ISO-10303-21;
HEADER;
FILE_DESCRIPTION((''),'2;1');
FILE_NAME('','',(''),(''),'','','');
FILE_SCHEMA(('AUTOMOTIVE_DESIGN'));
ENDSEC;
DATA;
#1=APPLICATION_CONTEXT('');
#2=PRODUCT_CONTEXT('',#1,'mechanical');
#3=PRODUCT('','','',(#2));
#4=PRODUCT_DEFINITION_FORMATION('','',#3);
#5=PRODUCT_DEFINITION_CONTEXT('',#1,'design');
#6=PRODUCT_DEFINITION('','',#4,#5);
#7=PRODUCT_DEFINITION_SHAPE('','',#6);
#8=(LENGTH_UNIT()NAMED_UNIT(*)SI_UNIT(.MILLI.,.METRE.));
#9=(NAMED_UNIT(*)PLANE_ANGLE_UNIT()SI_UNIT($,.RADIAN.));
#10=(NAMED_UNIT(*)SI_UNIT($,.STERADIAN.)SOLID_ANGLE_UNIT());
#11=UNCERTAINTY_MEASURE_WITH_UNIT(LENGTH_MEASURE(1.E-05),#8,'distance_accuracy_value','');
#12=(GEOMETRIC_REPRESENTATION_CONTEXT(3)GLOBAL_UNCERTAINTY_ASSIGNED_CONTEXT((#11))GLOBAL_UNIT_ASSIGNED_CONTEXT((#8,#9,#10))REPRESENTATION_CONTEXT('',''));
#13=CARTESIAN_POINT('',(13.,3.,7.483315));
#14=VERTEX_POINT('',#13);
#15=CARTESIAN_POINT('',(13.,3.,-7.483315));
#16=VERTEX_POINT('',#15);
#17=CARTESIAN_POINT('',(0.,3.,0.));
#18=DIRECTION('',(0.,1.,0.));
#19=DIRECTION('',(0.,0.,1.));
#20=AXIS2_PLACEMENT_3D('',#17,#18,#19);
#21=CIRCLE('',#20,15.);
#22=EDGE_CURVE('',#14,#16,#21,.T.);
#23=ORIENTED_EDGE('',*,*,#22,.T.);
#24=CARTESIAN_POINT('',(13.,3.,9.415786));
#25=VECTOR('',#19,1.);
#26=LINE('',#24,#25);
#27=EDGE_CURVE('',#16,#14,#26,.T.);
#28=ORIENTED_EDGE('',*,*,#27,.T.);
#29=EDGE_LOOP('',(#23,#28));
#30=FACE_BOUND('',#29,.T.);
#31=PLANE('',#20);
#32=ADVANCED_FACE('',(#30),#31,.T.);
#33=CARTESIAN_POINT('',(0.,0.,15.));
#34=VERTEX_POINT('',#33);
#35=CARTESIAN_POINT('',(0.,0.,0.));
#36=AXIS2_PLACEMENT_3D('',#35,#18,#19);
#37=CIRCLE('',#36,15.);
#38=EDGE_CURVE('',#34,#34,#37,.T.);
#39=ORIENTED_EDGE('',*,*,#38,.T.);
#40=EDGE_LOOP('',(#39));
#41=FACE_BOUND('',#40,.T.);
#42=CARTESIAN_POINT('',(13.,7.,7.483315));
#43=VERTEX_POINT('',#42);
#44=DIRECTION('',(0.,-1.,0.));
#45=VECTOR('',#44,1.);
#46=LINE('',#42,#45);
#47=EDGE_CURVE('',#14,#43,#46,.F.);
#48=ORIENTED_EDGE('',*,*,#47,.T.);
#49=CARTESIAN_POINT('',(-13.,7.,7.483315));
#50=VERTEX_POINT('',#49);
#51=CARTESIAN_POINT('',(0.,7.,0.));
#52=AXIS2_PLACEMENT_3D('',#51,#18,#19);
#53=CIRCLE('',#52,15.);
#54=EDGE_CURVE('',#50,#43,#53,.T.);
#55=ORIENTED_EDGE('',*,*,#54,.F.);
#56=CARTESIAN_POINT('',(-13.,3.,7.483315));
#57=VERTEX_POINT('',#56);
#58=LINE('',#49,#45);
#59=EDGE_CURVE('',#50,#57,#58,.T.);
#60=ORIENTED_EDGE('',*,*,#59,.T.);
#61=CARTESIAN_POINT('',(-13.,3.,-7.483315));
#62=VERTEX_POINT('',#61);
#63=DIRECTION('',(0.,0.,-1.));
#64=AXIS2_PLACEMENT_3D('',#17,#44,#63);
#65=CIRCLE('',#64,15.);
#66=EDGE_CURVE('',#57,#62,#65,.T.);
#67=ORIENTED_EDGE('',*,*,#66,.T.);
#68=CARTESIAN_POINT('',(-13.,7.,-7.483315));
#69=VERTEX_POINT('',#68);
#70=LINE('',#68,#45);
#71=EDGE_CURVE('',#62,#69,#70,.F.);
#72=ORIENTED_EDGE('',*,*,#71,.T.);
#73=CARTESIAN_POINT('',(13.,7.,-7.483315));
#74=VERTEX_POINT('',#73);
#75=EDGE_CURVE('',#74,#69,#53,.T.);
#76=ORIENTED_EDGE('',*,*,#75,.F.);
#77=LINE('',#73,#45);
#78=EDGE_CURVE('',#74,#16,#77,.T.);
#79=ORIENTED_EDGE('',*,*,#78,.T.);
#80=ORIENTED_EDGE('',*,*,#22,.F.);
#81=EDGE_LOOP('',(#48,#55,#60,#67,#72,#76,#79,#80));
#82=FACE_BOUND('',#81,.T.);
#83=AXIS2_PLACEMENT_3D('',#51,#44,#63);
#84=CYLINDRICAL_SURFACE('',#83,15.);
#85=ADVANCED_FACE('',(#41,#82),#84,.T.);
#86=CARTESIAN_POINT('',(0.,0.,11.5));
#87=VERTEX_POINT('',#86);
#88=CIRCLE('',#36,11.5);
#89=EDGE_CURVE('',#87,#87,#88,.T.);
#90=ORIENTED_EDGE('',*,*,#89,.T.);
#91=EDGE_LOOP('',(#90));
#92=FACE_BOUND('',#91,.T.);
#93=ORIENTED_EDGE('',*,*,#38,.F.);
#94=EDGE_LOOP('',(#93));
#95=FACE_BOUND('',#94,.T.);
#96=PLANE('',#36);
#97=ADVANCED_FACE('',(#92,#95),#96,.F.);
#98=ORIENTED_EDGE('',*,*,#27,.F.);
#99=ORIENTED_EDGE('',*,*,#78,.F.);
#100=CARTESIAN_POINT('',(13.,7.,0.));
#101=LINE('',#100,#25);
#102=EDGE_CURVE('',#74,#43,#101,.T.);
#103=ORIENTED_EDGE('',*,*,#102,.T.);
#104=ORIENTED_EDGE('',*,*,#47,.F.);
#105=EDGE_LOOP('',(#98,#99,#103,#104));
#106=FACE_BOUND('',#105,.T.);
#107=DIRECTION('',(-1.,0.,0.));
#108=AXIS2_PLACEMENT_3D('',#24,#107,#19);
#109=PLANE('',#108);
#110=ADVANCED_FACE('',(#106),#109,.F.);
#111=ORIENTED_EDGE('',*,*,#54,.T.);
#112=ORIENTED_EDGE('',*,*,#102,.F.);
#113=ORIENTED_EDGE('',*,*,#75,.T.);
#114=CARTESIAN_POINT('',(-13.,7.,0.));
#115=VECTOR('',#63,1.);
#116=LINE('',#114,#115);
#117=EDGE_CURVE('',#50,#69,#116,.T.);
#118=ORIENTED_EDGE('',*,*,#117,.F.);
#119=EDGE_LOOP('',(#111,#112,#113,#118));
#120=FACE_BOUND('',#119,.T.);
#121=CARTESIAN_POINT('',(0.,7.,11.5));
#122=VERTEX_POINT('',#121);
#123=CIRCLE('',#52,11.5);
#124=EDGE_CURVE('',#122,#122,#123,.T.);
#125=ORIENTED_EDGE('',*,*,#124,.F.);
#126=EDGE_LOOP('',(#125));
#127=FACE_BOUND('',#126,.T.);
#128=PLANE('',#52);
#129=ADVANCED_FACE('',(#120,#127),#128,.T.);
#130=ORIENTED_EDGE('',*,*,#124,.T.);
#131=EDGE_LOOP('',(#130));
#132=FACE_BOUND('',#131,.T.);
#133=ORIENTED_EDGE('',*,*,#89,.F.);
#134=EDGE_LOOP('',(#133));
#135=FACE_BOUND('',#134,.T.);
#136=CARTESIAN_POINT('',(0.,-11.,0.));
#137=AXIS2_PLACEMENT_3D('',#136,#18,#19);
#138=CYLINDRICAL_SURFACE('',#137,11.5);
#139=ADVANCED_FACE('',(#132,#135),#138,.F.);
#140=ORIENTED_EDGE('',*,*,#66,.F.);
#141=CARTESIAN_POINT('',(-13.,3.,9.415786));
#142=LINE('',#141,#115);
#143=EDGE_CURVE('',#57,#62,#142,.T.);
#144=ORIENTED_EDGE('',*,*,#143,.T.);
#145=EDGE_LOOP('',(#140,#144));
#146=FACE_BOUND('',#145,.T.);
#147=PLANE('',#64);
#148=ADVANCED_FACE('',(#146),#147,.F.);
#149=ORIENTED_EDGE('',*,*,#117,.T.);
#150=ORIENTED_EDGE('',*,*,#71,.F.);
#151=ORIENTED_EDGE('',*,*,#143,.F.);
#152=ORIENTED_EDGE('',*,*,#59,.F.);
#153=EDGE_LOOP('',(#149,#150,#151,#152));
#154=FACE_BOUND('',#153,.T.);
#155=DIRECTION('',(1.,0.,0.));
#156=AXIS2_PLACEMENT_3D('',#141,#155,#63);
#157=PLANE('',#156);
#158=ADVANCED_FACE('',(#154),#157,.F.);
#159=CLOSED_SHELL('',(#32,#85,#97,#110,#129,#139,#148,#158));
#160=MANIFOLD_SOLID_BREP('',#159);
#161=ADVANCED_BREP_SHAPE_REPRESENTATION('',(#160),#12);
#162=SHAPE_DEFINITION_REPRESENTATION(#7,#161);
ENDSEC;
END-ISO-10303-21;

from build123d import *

# Parameters (mm, degrees)
SKETCH1_R         = 15
BODY_DEPTH        = 7
SKETCH2_R         = 11.5
CENTER_HOLE_DEPTH = 18
SKETCH4_W         = 4
SKETCH4_H         = 18.83157123
HEX_2_DEPTH       = 4


with BuildPart() as part:
    # Sketch1 → Body (new body)
    with BuildSketch(Plane(origin=(0, 0, 0), x_dir=(1, 0, 0), z_dir=(0, 1, 0))):
        Circle(SKETCH1_R)
    extrude(amount=BODY_DEPTH)

    # Sketch2 → Center_hole (cut)
    with BuildSketch(Plane(origin=(0, 7, 0), x_dir=(1, 0, 0), z_dir=(0, 1, 0))):
        Circle(SKETCH2_R)
    extrude(amount=-CENTER_HOLE_DEPTH, mode=Mode.SUBTRACT)

    # Sketch4 → Hex 2 (cut)
    with BuildSketch(Plane(origin=(0, 7, 0), x_dir=(1, 0, 0), z_dir=(0, 1, 0))):
        with Locations((15, 0)):
            Rectangle(SKETCH4_W, SKETCH4_H)
        with Locations((-15, 0)):
            Rectangle(SKETCH4_W, SKETCH4_H)
    extrude(amount=-HEX_2_DEPTH, mode=Mode.SUBTRACT)


solid = part.part
